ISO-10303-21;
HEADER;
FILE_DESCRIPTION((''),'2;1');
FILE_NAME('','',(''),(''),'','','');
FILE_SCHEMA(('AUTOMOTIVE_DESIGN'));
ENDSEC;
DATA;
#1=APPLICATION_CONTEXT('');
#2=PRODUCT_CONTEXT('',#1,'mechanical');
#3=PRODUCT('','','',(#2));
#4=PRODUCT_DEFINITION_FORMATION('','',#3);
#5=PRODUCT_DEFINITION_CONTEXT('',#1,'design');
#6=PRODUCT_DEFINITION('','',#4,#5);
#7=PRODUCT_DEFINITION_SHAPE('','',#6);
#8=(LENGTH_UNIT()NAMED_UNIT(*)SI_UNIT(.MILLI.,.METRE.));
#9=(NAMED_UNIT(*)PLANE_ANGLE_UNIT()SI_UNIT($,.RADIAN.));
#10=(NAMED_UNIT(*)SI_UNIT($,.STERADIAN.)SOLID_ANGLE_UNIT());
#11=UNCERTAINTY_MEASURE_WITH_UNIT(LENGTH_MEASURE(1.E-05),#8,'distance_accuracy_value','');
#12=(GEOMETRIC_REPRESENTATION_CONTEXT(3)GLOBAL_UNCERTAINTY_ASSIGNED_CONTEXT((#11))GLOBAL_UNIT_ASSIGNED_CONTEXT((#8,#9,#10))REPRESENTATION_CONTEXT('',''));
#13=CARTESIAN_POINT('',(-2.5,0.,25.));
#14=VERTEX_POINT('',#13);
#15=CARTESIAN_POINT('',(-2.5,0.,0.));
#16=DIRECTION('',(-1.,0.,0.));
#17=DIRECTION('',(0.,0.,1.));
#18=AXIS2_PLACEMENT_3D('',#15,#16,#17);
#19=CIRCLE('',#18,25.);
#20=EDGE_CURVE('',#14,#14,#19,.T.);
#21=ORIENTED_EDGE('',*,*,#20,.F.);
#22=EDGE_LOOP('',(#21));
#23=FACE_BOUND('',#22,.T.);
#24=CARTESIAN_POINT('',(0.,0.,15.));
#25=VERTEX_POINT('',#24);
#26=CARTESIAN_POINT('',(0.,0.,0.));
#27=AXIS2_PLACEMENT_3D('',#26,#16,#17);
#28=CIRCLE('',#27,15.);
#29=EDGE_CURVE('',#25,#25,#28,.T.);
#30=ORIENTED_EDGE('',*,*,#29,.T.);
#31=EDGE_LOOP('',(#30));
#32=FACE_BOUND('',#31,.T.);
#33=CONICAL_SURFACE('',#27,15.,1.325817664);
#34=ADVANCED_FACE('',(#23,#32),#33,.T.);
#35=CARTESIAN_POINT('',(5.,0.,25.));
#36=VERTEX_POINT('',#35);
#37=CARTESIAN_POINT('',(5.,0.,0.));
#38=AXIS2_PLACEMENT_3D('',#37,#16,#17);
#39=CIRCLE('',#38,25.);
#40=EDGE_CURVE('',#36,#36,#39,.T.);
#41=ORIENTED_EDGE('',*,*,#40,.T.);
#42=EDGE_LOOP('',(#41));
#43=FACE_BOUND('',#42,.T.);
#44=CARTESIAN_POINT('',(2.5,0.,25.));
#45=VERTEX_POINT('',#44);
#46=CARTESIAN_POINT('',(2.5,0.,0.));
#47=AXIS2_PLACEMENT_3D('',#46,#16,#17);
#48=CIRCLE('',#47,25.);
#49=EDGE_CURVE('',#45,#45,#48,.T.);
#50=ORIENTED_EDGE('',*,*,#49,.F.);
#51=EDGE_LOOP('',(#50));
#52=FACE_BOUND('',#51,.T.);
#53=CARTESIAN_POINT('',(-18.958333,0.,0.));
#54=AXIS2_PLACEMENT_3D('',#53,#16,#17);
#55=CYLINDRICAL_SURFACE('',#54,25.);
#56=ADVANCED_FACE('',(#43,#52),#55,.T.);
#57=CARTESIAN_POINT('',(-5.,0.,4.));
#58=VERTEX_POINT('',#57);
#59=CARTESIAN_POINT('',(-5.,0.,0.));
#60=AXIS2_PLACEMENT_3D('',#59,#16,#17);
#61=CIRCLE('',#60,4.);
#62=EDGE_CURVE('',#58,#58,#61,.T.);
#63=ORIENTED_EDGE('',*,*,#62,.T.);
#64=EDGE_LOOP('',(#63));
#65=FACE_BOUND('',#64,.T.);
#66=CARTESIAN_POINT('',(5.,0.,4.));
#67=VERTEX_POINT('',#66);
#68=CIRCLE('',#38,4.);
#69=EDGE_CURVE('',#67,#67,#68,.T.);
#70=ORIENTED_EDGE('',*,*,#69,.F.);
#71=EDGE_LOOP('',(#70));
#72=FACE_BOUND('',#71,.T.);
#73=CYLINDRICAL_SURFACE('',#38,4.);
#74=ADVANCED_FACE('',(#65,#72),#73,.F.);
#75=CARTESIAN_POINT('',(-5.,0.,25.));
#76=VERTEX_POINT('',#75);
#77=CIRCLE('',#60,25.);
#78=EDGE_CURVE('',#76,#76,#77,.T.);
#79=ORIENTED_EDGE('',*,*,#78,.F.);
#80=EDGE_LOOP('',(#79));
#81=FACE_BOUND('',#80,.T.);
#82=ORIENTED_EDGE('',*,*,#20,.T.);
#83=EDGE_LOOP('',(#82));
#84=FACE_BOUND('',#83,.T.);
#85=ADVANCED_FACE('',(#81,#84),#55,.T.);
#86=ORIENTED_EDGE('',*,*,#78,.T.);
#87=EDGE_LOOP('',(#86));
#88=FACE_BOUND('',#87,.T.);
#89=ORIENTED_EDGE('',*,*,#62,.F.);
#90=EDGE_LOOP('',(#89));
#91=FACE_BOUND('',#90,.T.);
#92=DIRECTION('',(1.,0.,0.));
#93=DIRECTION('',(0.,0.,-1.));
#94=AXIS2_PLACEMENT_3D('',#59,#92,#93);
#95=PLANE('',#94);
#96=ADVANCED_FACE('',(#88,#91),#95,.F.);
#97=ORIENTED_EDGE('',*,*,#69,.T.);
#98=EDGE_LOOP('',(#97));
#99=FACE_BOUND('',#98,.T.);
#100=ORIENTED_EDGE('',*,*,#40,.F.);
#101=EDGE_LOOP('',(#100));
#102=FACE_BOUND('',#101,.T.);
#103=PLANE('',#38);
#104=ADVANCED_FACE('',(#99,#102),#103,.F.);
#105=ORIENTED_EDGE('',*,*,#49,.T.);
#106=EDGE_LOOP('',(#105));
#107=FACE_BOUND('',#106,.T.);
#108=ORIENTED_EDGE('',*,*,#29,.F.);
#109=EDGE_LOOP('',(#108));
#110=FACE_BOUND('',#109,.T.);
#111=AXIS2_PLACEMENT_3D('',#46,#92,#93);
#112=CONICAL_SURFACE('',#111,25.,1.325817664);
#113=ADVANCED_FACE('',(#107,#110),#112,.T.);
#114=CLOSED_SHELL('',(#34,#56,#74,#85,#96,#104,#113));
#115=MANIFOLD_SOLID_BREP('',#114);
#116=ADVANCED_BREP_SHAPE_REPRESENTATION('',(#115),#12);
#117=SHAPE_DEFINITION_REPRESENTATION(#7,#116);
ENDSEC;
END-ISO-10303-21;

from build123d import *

# Parameters (mm, degrees)
SKETCH2_R          = 4
CUT_EXTRUDE1_DEPTH = 10


with BuildPart() as part:
    # Sketch1 → Revolve1 (revolve)
    with BuildSketch(Plane(origin=(0, 0, 0), x_dir=(1, 0, 0), z_dir=(0, 1, 0)), mode=Mode.PRIVATE) as revolve1_sk:
        Polygon((5, 0), (-5, 0), (-5, 25), (-2.5, 25), (0, 15), (2.5, 25), (5, 25), align=None)
    revolve(revolve1_sk.sketch.rotate(Axis((-18.958333333, 0, 0), (1, 0, 0)), 180), axis=Axis((-18.958333333, 0, 0), (1, 0, 0)))

    # Sketch2 → Cut-Extrude1 (cut)
    with BuildSketch(Plane.ZY.offset(5)):
        Circle(SKETCH2_R)
    extrude(amount=-CUT_EXTRUDE1_DEPTH, mode=Mode.SUBTRACT)


solid = part.part
